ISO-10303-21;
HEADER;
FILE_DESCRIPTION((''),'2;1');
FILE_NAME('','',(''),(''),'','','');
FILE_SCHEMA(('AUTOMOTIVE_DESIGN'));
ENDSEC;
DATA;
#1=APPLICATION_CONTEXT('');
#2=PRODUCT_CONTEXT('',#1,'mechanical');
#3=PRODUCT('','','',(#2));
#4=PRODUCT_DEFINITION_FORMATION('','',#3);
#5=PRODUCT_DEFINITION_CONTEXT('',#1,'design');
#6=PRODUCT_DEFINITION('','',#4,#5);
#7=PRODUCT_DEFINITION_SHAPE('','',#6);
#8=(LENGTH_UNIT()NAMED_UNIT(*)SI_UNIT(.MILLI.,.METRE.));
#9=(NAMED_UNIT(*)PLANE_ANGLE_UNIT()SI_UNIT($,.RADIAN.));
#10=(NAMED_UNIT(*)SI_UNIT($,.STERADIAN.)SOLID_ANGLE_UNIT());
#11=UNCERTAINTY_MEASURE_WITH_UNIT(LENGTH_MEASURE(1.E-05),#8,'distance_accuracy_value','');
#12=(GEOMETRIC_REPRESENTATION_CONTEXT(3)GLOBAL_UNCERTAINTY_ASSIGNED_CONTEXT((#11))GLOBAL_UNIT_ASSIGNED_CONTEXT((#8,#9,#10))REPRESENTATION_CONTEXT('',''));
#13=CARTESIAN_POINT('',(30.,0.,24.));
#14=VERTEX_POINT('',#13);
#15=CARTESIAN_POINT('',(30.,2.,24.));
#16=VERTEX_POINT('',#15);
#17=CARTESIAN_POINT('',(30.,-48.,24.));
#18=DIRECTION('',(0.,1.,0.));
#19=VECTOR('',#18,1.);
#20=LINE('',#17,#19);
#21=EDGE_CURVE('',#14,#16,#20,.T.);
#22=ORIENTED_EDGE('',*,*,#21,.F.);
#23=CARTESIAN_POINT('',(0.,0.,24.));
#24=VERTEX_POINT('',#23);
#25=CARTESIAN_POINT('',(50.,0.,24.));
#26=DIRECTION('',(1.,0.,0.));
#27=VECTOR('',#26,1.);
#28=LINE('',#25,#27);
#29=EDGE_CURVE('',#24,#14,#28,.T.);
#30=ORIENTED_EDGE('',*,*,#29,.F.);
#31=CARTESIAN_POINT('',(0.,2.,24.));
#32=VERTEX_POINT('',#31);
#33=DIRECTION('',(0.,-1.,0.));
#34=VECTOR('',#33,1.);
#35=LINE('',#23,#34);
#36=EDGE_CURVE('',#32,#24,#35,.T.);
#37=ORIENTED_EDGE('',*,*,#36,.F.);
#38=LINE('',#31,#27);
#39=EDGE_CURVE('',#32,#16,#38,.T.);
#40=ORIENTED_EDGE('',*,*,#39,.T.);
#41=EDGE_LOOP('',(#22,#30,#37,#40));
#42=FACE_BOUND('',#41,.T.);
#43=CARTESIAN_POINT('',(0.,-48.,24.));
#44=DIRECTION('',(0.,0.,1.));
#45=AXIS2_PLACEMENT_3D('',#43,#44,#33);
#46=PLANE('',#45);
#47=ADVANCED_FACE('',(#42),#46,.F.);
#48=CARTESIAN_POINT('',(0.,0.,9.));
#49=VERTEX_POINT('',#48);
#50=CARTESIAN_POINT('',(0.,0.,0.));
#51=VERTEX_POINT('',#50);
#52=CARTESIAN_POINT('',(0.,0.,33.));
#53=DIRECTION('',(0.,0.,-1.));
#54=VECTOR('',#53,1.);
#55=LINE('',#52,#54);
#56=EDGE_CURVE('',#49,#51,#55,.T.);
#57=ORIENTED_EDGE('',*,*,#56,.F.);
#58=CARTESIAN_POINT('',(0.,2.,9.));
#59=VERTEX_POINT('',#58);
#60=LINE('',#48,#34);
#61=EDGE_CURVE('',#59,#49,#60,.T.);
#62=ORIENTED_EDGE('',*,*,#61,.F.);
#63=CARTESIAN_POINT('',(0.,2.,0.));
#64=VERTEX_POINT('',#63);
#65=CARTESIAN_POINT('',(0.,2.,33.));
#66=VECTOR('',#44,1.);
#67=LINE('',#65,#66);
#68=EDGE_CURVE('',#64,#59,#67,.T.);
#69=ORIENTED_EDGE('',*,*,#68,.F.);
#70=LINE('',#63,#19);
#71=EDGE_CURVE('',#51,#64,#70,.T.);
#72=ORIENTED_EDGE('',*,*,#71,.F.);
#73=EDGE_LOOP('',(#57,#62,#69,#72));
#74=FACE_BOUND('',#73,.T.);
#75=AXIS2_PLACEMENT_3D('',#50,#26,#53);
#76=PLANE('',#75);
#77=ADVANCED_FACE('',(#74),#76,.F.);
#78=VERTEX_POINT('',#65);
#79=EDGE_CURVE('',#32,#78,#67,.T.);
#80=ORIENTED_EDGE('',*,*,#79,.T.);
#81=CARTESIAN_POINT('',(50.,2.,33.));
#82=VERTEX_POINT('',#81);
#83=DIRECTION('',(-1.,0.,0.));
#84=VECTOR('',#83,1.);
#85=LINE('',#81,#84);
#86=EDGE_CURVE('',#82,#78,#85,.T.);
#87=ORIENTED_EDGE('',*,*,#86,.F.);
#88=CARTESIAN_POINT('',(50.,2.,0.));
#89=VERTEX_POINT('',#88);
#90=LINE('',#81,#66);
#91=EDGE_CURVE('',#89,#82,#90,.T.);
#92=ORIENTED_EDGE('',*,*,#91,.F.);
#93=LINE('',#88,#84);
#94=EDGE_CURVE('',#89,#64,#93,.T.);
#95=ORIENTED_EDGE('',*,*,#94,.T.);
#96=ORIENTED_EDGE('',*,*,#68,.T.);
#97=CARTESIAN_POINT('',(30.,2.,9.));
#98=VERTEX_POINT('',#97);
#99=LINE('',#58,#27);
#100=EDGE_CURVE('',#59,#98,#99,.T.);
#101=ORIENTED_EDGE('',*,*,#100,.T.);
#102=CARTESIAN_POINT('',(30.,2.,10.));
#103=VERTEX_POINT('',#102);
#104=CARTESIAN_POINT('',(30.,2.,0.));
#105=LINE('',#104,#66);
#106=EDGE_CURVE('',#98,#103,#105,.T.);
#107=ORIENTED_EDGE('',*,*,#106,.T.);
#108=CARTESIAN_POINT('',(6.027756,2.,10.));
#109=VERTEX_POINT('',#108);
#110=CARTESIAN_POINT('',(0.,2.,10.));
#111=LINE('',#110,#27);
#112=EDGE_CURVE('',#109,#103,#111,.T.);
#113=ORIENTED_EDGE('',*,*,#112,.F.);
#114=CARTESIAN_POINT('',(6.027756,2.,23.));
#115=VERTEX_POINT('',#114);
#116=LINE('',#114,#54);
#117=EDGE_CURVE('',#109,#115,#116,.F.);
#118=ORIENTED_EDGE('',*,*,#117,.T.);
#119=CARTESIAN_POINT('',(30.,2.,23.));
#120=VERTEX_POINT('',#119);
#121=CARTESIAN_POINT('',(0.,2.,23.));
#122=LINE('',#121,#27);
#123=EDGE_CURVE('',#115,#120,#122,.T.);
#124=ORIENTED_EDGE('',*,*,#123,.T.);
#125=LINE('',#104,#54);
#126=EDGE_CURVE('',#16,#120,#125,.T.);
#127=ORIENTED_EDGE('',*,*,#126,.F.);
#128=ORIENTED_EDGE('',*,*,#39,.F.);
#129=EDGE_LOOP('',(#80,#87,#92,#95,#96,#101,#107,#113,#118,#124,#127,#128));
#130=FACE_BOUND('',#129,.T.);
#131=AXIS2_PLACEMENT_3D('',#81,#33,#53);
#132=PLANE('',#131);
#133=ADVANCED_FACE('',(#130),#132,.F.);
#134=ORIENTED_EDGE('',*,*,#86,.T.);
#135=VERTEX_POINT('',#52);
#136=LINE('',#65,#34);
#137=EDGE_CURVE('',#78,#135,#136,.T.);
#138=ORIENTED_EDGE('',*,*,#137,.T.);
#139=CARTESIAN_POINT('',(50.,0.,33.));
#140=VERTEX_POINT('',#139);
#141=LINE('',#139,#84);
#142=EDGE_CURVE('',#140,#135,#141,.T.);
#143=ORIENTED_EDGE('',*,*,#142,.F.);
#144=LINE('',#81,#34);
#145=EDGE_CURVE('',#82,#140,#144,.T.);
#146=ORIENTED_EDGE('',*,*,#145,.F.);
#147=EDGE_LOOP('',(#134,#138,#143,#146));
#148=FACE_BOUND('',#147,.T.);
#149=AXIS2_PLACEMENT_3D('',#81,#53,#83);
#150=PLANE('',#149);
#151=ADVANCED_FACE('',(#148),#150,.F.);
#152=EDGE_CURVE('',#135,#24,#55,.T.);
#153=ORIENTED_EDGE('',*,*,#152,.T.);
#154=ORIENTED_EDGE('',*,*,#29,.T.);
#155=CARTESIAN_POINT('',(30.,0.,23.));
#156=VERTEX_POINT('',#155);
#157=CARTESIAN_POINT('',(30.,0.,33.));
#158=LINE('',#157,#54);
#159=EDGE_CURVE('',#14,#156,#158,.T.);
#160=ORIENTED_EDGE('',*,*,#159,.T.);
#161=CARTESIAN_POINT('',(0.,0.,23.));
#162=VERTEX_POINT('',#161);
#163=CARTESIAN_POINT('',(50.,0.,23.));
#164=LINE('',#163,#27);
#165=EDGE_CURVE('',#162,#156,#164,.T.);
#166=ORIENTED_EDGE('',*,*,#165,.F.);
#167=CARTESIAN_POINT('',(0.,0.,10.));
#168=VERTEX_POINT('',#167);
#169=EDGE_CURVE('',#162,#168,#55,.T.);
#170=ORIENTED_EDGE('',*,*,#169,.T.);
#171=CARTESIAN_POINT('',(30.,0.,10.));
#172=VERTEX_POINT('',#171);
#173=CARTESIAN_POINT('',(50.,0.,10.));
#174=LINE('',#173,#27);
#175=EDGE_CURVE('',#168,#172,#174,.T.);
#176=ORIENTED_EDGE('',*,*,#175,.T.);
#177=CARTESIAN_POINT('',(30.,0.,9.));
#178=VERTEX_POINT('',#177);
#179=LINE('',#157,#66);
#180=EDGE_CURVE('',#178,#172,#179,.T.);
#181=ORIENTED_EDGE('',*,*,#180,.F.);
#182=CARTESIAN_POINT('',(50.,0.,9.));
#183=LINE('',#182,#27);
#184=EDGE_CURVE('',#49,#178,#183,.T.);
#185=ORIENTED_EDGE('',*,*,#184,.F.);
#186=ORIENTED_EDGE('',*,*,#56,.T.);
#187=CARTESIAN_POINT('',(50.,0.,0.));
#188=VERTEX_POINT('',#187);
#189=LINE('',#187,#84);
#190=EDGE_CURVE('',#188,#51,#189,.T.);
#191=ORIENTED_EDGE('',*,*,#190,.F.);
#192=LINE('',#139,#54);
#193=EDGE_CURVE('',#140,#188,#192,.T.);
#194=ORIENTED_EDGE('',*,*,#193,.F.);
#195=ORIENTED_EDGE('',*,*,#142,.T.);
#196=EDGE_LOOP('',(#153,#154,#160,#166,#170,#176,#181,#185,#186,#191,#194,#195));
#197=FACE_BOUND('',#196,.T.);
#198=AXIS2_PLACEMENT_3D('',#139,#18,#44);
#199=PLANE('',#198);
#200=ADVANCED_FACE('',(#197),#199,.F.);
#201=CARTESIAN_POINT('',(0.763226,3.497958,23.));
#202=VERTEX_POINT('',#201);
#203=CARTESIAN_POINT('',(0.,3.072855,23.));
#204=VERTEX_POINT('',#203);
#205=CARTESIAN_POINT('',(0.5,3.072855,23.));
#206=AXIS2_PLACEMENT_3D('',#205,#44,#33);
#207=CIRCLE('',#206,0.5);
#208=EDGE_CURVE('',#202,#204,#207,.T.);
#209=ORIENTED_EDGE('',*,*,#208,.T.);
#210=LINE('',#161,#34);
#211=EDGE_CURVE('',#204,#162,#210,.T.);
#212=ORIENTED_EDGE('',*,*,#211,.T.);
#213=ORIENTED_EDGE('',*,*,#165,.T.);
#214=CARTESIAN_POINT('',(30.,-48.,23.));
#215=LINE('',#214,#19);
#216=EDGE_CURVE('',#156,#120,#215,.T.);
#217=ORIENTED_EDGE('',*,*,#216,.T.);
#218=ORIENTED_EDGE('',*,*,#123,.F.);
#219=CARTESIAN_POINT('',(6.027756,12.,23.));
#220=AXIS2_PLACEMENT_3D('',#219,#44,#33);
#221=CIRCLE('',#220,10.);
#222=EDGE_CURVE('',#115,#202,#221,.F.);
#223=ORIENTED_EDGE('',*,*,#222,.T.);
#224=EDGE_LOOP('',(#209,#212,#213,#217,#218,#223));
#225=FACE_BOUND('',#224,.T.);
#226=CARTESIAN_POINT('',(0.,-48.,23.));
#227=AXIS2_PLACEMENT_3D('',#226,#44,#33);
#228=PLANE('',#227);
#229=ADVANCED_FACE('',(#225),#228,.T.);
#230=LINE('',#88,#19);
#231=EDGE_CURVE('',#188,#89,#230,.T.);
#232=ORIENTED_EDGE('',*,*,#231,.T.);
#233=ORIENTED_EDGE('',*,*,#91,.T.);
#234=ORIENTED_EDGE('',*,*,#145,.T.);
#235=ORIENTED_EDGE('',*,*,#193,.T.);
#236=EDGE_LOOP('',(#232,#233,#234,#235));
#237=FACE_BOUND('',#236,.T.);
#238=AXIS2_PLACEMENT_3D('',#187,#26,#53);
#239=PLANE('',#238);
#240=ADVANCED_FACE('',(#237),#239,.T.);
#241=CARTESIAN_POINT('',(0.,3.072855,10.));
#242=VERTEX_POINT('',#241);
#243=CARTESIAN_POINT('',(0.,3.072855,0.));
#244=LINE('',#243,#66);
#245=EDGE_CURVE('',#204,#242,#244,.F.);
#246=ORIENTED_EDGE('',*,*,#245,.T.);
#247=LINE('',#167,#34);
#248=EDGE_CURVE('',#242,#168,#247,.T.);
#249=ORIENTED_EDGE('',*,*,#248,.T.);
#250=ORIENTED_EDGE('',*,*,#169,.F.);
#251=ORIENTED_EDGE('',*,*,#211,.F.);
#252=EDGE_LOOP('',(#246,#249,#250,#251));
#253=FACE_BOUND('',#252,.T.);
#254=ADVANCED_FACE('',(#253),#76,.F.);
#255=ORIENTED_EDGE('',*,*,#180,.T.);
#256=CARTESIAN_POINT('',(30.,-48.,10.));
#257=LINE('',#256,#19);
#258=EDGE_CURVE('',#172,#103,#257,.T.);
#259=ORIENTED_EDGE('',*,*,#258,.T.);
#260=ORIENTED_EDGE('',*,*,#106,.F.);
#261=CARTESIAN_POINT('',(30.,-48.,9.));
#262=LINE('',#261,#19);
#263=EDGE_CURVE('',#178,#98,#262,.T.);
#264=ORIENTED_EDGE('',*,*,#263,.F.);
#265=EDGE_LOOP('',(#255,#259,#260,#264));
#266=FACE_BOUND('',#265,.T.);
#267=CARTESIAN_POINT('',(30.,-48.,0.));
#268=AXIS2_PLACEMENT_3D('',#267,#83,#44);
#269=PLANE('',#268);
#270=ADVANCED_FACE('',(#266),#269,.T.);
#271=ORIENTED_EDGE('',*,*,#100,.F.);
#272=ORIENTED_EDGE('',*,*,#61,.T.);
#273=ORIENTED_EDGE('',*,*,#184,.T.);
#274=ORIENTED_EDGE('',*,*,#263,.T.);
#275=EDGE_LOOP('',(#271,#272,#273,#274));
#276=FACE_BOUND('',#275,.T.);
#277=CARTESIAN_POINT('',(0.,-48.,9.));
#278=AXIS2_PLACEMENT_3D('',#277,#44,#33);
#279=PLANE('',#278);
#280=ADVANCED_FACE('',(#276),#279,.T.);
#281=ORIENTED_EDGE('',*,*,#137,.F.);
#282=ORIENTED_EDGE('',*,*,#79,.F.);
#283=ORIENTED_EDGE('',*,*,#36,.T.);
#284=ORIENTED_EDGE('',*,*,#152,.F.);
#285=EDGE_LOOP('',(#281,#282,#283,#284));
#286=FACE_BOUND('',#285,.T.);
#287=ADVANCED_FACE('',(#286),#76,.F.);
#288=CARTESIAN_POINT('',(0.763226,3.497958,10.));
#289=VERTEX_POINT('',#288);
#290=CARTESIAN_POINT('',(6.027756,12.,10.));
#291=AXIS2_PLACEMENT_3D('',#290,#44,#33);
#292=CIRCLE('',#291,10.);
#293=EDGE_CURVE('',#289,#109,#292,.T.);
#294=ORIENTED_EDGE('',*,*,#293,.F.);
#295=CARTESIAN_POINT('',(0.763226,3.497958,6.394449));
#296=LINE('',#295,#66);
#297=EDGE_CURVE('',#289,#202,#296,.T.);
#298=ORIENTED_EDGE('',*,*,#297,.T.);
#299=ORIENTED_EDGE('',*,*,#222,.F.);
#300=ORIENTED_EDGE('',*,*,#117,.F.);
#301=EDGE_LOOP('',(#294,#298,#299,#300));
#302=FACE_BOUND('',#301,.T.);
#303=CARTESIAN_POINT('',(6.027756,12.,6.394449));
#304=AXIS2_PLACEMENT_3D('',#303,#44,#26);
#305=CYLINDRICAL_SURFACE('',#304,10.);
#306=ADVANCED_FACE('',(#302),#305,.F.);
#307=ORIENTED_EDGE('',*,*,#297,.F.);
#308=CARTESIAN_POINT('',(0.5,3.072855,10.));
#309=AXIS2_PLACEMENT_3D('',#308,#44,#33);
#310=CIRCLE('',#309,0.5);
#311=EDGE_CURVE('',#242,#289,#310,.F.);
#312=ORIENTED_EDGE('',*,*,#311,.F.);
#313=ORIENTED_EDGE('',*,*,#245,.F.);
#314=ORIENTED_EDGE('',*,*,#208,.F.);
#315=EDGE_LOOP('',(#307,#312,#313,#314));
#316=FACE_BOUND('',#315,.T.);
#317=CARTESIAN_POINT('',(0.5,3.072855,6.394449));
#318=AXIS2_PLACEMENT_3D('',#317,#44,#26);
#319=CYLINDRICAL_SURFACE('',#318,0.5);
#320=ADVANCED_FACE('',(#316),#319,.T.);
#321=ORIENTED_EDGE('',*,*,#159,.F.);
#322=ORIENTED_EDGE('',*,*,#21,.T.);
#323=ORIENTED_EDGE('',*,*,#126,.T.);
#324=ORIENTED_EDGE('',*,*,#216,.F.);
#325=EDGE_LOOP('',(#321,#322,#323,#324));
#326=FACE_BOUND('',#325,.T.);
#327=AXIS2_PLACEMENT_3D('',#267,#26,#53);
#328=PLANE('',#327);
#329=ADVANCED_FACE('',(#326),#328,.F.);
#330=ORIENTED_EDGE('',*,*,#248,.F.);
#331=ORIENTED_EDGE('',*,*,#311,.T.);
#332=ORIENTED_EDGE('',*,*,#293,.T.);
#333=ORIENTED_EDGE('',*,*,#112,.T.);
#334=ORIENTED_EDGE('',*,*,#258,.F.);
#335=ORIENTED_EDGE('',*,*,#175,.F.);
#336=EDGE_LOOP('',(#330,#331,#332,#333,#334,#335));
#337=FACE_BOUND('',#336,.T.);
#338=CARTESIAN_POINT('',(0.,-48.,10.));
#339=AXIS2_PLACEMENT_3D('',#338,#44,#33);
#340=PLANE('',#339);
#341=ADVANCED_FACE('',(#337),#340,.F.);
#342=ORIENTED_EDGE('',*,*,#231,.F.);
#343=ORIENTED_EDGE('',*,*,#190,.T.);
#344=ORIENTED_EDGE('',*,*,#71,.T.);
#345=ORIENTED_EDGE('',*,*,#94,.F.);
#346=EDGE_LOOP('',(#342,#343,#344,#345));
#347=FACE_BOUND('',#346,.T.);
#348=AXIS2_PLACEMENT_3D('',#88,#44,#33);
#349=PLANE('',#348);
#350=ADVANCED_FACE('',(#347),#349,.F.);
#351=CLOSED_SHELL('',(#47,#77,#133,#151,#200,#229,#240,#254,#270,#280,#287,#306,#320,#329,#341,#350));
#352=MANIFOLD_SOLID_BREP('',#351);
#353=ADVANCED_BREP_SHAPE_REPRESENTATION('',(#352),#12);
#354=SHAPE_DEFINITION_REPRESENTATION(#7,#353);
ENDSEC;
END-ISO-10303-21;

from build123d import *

# Parameters (mm, degrees)
SKETCH2_W           = 33
SKETCH2_H           = 2
BOSS_EXTRUDE1_DEPTH = 50
SKETCH3_W           = 30
SKETCH3_H           = 1
CUT_EXTRUDE2_DEPTH  = 50
SKETCH4_W           = 3
SKETCH4_H           = 13
BOSS_EXTRUDE2_DEPTH = 2
CUT_EXTRUDE3_DEPTH  = 13
FILLET1_R           = 10
FILLET2_R           = 0.5


with BuildPart() as part:
    # Sketch2 → Boss-Extrude1 (new body)
    with BuildSketch(Plane(origin=(0, 0, 0), x_dir=(0, 0, -1), z_dir=(1, 0, 0))):
        with Locations((-16.5, 1)):
            Rectangle(SKETCH2_W, SKETCH2_H)
    extrude(amount=BOSS_EXTRUDE1_DEPTH)

    # Sketch3 → Cut-Extrude2 (cut)
    with BuildSketch(Plane(origin=(0, 2, 0), x_dir=(1, 0, 0), z_dir=(0, 1, 0))):
        with Locations((15, -9.5)):
            Rectangle(SKETCH3_W, SKETCH3_H)
        with Locations((15, -23.5)):
            Rectangle(SKETCH3_W, SKETCH3_H)
    extrude(amount=-CUT_EXTRUDE2_DEPTH, mode=Mode.SUBTRACT)

    # Sketch4 → Boss-Extrude2 (add)
    with BuildSketch(Plane(origin=(0, 2, 0), x_dir=(1, 0, 0), z_dir=(0, 1, 0))):
        with Locations((1.5, -16.5)):
            Rectangle(SKETCH4_W, SKETCH4_H)
    extrude(amount=BOSS_EXTRUDE2_DEPTH)

    # Sketch5 → Cut-Extrude3 (cut)
    with BuildSketch(Plane.XY.offset(23)):
        Polygon((3, 2), (0, 4), (3, 4), align=None)
    extrude(amount=-CUT_EXTRUDE3_DEPTH, mode=Mode.SUBTRACT)

    # Fillet1
    fillet1_edges = [part.edges().sort_by_distance(p)[0] for p in [
        (3, 2, 16.5),
    ]]
    fillet(fillet1_edges, radius=FILLET1_R)

    # Fillet2
    fillet2_edges = [part.edges().sort_by_distance(p)[0] for p in [
        (0, 4, 16.5),
    ]]
    fillet(fillet2_edges, radius=FILLET2_R)


solid = part.part
